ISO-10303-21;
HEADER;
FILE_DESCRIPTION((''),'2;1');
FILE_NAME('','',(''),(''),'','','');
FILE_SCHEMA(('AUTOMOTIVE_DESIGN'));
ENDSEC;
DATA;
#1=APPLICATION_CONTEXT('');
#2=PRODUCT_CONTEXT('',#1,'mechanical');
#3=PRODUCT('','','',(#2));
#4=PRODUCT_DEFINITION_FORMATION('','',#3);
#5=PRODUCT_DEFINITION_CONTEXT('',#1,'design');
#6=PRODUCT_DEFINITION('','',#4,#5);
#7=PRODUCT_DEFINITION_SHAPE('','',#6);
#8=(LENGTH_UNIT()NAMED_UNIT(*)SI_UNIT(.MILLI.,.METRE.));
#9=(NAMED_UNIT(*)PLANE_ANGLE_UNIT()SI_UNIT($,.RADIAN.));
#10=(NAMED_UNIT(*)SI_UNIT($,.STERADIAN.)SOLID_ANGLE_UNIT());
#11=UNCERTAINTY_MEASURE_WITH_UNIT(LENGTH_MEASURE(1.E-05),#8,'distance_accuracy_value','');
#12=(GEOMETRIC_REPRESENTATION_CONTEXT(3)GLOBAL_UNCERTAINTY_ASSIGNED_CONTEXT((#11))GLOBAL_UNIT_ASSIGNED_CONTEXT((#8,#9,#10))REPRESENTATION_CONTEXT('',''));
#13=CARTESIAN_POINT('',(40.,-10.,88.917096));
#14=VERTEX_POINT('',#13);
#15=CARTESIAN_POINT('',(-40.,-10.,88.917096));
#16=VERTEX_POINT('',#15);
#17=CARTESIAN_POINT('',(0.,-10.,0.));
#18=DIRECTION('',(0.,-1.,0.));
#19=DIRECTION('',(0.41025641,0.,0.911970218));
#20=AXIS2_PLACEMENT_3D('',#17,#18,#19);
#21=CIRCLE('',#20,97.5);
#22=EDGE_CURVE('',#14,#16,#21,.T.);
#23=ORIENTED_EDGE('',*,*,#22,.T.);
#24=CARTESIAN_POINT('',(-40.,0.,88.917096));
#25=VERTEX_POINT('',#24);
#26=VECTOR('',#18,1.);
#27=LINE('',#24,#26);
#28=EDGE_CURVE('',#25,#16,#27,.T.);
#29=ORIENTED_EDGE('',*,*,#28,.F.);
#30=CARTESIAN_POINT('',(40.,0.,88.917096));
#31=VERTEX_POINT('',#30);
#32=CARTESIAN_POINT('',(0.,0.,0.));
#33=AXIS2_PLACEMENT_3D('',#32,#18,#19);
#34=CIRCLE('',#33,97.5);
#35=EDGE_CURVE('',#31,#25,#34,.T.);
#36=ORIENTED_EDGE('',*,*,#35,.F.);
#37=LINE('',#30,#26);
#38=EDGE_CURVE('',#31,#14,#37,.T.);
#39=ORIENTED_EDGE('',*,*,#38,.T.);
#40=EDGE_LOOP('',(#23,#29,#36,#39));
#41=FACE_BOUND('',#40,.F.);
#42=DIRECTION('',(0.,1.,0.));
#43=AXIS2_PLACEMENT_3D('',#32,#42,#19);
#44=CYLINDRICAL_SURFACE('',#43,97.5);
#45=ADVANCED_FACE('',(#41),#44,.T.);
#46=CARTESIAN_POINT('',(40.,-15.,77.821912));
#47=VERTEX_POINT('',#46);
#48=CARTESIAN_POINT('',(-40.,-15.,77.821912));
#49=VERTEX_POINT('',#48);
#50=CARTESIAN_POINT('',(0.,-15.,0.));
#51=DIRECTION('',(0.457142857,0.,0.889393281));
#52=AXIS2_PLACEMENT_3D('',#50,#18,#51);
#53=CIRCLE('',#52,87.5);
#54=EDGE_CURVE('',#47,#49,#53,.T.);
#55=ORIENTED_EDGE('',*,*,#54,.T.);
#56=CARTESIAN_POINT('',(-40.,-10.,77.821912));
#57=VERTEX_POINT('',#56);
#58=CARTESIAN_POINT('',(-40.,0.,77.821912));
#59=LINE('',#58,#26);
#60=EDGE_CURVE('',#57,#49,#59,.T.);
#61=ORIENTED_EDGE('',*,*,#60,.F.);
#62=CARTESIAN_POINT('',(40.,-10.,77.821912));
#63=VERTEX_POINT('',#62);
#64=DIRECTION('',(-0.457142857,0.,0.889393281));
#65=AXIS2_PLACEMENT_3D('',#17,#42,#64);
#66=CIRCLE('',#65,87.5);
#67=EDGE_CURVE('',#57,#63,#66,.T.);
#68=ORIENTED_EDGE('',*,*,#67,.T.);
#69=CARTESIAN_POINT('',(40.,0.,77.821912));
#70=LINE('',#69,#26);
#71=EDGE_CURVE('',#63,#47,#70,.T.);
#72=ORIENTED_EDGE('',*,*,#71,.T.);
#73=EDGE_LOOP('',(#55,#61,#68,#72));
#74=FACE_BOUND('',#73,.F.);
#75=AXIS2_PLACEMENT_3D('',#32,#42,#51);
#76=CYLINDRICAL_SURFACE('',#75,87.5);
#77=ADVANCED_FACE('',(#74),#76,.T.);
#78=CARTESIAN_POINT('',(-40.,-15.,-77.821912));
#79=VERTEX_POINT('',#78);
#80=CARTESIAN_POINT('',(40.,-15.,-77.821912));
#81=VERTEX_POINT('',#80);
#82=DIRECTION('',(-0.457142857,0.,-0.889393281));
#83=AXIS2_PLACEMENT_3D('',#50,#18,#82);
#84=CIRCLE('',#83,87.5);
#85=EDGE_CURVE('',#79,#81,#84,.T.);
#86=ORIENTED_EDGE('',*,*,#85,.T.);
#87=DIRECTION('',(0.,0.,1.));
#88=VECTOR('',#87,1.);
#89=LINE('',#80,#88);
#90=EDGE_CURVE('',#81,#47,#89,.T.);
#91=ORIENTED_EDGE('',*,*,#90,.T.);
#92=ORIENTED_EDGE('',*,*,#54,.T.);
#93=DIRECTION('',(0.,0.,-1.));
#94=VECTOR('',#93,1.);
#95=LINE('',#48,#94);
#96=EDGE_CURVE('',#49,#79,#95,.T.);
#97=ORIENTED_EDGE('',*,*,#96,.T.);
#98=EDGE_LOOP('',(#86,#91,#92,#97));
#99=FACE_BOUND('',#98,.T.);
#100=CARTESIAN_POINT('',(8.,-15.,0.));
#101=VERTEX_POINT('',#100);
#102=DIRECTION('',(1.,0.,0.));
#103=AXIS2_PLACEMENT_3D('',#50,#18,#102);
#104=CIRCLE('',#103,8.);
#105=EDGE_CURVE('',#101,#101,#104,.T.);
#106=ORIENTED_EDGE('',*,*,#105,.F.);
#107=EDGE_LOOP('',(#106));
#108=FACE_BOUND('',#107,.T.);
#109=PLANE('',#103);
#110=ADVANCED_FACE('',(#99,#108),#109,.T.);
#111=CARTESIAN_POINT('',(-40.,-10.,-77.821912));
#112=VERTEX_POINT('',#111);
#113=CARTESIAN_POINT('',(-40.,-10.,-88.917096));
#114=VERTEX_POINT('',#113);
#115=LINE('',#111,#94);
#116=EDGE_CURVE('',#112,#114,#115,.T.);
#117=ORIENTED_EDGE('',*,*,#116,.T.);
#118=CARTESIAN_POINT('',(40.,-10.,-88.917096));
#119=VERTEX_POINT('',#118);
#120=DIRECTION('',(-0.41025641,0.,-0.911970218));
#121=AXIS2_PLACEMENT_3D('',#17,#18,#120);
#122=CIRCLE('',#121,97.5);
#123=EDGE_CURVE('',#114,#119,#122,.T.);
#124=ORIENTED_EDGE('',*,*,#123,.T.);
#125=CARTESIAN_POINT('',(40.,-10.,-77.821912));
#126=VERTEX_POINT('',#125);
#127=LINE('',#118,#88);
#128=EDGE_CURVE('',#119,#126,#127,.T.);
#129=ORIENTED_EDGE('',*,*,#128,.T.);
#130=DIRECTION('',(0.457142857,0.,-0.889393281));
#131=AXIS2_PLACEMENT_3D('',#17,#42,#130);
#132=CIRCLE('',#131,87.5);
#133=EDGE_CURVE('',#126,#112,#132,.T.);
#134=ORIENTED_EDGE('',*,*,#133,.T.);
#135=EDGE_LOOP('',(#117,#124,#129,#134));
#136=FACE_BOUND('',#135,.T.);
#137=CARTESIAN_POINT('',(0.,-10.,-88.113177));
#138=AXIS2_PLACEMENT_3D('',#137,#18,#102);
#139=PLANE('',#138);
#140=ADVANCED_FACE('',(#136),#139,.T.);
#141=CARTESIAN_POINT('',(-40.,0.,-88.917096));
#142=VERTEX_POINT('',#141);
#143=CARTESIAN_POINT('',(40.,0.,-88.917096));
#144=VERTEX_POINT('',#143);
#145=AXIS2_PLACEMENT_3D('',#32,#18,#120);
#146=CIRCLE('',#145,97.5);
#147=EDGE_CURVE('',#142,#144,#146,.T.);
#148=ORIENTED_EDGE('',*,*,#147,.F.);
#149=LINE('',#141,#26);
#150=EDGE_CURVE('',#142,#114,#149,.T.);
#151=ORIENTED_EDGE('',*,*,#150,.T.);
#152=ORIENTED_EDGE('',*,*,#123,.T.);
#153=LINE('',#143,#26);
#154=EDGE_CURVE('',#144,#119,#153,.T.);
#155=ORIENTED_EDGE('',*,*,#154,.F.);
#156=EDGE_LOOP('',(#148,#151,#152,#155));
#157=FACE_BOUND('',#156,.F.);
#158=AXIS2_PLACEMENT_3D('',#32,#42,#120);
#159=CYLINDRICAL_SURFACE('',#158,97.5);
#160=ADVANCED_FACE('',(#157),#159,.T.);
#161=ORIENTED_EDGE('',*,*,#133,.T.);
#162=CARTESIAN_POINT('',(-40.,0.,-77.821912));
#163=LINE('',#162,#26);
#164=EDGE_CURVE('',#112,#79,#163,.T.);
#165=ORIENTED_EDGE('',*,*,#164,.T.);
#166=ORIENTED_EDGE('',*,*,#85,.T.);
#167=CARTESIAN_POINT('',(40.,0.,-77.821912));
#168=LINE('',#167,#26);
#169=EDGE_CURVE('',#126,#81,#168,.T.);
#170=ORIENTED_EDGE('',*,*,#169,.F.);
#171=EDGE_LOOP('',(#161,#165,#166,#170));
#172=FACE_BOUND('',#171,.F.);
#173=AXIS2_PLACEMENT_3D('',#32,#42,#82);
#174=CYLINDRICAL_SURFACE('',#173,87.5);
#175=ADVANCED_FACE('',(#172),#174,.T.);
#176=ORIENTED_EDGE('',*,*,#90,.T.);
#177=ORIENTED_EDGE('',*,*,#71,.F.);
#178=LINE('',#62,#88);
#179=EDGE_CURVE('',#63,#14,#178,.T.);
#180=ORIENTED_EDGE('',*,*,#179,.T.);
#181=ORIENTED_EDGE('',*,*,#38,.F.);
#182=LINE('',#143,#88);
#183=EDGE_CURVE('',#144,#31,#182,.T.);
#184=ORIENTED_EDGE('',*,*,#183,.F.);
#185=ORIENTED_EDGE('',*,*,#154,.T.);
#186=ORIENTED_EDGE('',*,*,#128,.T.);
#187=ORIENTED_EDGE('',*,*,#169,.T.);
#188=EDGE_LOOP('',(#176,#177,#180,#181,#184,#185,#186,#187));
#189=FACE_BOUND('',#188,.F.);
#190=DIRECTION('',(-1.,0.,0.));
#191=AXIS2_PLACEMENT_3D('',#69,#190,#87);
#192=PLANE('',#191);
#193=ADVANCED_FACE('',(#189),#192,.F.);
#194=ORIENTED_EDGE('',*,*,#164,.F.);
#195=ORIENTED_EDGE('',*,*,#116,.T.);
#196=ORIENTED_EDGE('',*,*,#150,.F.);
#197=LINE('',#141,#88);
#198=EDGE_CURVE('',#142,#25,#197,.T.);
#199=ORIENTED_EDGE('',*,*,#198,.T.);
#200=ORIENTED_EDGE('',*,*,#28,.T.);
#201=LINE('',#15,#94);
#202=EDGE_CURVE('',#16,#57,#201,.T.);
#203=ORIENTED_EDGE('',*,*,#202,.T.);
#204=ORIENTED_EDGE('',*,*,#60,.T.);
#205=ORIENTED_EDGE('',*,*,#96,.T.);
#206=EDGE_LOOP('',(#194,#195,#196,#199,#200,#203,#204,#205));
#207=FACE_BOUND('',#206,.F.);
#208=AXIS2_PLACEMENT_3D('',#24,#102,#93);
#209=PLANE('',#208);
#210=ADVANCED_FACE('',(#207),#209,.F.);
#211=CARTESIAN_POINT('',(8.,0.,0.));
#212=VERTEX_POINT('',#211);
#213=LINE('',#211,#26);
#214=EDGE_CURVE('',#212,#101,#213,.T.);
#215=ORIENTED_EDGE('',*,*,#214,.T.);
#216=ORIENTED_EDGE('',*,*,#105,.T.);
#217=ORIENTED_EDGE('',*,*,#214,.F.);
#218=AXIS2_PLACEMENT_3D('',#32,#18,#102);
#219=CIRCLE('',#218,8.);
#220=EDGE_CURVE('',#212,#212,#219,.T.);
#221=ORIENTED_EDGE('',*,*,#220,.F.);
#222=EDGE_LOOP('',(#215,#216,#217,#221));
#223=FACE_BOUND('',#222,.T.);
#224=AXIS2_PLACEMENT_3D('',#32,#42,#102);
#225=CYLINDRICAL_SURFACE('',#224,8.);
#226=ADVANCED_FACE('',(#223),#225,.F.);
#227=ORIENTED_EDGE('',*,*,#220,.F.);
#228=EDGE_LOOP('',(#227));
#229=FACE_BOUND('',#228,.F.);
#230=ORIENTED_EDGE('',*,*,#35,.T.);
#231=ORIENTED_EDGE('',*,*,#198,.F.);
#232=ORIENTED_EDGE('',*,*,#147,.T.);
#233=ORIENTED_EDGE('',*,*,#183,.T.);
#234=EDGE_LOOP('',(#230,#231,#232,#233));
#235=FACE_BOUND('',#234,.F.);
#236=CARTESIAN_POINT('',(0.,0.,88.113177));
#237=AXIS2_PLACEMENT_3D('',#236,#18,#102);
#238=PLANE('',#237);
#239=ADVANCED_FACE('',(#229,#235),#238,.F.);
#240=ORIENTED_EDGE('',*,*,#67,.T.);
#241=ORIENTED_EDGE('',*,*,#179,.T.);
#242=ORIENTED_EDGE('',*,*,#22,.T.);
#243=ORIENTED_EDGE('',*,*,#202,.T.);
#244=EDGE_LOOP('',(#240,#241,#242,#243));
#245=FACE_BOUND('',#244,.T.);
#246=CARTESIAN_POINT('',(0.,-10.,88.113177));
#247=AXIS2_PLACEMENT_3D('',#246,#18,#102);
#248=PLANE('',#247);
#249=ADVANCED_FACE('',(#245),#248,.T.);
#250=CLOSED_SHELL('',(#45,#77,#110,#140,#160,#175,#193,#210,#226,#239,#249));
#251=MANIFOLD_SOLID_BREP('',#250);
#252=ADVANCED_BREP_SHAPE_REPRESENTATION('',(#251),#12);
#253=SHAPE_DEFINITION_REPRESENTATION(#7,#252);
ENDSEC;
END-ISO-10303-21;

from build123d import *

# Parameters (mm, degrees)
F0_R     = 8
F1_DEPTH = 15
F2_DEPTH = 10


with BuildPart() as f1:
    # F0 (on Front) → F1 (new body)
    with BuildSketch(Plane.XZ):
        with BuildLine():
            Line((40, -77.8219120814), (40, 77.8219120814))
            ThreePointArc((40, 77.8219120814), (0, 87.5), (-40, 77.8219120814))
            Line((-40, 77.8219120814), (-40, -77.8219120814))
            ThreePointArc((-40, -77.8219120814), (0, -87.5), (40, -77.8219120814))
        make_face()
        Circle(F0_R, mode=Mode.SUBTRACT)
    extrude(amount=F1_DEPTH)

    # F0 (on Front) → F2 (join)
    with BuildSketch(Plane.XZ):
        with BuildLine():
            ThreePointArc((-40, 77.8219120814), (0, 87.5), (40, 77.8219120814))
            Line((40, 77.8219120814), (40, 88.9170962189))
            ThreePointArc((40, 88.9170962189), (0, 97.5), (-40, 88.9170962189))
            Line((-40, 88.9170962189), (-40, 77.8219120814))
        make_face()
        with BuildLine():
            Line((40, -88.9170962189), (40, -77.8219120814))
            ThreePointArc((40, -77.8219120814), (0, -87.5), (-40, -77.8219120814))
            Line((-40, -77.8219120814), (-40, -88.9170962189))
            ThreePointArc((-40, -88.9170962189), (0, -97.5), (40, -88.9170962189))
        make_face()
    extrude(amount=F2_DEPTH)


solid = f1.part
